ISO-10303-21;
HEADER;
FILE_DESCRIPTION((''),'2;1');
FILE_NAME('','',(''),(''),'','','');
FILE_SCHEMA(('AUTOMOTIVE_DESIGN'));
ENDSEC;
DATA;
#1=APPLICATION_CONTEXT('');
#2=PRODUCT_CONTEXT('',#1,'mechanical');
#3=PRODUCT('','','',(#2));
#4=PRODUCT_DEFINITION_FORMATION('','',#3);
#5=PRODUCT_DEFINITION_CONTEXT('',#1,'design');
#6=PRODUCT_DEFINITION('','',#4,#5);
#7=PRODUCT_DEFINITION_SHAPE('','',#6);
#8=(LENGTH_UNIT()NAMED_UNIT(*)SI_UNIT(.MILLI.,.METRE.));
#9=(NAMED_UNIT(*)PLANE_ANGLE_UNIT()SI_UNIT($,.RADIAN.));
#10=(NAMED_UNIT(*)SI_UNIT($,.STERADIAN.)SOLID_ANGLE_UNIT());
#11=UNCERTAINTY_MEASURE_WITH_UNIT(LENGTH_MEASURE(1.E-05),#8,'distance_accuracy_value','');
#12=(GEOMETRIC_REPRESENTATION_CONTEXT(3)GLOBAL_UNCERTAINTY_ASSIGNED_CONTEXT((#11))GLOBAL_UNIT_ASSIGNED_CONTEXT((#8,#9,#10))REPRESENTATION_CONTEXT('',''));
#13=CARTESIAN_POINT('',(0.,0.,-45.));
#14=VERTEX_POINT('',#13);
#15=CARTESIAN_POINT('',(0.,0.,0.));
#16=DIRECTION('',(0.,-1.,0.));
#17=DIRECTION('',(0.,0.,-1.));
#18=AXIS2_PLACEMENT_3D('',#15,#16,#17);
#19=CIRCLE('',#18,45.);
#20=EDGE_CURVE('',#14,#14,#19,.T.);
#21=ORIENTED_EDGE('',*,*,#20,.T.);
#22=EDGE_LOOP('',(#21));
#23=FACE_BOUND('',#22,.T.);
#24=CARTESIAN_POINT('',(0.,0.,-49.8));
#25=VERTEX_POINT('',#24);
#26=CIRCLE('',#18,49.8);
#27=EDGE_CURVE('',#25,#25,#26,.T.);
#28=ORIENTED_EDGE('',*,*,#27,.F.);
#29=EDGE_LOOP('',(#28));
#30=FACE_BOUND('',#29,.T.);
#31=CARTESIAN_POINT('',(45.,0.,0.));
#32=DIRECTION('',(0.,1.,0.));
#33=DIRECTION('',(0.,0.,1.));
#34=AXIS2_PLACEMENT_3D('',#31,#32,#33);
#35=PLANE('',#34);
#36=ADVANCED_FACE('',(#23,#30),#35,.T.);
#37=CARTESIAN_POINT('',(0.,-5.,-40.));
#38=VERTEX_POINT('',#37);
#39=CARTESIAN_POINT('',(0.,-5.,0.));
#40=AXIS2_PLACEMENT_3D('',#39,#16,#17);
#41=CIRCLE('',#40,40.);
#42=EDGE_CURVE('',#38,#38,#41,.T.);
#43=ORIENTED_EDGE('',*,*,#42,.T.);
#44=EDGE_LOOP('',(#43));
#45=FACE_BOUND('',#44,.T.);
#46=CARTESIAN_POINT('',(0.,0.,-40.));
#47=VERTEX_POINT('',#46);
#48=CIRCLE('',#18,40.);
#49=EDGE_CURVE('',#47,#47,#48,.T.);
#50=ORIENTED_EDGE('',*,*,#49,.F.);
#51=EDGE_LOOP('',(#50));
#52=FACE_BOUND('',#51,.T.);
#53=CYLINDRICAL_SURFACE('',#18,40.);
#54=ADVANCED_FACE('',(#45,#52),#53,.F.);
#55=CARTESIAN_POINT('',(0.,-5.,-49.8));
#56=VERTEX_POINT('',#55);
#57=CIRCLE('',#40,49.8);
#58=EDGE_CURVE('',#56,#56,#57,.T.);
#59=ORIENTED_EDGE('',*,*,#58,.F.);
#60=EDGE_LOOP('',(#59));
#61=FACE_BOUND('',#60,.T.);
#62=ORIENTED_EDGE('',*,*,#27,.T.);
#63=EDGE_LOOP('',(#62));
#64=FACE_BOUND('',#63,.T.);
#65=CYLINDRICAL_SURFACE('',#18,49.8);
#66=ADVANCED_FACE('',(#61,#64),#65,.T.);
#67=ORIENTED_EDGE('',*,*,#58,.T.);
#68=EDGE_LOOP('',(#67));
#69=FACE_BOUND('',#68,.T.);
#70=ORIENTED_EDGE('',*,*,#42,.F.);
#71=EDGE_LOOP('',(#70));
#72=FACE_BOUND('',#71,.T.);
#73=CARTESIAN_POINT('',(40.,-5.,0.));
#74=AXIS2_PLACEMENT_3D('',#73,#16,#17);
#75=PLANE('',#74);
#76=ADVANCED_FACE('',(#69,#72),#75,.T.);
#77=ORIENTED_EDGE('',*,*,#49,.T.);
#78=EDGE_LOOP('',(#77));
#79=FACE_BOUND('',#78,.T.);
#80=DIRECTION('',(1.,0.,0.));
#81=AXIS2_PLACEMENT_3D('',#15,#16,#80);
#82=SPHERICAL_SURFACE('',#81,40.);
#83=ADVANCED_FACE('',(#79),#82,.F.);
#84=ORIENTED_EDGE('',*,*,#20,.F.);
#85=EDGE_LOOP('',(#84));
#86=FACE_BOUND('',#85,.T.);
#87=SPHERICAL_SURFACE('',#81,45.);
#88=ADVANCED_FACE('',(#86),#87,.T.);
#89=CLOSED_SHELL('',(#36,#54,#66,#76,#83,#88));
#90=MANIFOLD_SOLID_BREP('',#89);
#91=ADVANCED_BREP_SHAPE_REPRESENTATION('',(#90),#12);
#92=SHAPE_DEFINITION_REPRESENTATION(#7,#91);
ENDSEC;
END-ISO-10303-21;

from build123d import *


with BuildPart() as part:
    # 草图1 → 旋转1 (revolve)
    with BuildSketch(Plane.XY):
        with BuildLine():
            Line((45, 0), (49.8, 0))
            Line((49.8, 0), (49.8, -5))
            Line((49.8, -5), (40, -5))
            Line((40, -5), (40, 0))
            ThreePointArc((40, 0), (28.284271247, 28.284271247), (0, 40))
            Line((0, 40), (0, 45))
            ThreePointArc((0, 45), (31.819805153, 31.819805153), (45, 0))
        make_face()
    revolve(axis=Axis((0, 0, 0), (0, 1, 0)))


solid = part.part
